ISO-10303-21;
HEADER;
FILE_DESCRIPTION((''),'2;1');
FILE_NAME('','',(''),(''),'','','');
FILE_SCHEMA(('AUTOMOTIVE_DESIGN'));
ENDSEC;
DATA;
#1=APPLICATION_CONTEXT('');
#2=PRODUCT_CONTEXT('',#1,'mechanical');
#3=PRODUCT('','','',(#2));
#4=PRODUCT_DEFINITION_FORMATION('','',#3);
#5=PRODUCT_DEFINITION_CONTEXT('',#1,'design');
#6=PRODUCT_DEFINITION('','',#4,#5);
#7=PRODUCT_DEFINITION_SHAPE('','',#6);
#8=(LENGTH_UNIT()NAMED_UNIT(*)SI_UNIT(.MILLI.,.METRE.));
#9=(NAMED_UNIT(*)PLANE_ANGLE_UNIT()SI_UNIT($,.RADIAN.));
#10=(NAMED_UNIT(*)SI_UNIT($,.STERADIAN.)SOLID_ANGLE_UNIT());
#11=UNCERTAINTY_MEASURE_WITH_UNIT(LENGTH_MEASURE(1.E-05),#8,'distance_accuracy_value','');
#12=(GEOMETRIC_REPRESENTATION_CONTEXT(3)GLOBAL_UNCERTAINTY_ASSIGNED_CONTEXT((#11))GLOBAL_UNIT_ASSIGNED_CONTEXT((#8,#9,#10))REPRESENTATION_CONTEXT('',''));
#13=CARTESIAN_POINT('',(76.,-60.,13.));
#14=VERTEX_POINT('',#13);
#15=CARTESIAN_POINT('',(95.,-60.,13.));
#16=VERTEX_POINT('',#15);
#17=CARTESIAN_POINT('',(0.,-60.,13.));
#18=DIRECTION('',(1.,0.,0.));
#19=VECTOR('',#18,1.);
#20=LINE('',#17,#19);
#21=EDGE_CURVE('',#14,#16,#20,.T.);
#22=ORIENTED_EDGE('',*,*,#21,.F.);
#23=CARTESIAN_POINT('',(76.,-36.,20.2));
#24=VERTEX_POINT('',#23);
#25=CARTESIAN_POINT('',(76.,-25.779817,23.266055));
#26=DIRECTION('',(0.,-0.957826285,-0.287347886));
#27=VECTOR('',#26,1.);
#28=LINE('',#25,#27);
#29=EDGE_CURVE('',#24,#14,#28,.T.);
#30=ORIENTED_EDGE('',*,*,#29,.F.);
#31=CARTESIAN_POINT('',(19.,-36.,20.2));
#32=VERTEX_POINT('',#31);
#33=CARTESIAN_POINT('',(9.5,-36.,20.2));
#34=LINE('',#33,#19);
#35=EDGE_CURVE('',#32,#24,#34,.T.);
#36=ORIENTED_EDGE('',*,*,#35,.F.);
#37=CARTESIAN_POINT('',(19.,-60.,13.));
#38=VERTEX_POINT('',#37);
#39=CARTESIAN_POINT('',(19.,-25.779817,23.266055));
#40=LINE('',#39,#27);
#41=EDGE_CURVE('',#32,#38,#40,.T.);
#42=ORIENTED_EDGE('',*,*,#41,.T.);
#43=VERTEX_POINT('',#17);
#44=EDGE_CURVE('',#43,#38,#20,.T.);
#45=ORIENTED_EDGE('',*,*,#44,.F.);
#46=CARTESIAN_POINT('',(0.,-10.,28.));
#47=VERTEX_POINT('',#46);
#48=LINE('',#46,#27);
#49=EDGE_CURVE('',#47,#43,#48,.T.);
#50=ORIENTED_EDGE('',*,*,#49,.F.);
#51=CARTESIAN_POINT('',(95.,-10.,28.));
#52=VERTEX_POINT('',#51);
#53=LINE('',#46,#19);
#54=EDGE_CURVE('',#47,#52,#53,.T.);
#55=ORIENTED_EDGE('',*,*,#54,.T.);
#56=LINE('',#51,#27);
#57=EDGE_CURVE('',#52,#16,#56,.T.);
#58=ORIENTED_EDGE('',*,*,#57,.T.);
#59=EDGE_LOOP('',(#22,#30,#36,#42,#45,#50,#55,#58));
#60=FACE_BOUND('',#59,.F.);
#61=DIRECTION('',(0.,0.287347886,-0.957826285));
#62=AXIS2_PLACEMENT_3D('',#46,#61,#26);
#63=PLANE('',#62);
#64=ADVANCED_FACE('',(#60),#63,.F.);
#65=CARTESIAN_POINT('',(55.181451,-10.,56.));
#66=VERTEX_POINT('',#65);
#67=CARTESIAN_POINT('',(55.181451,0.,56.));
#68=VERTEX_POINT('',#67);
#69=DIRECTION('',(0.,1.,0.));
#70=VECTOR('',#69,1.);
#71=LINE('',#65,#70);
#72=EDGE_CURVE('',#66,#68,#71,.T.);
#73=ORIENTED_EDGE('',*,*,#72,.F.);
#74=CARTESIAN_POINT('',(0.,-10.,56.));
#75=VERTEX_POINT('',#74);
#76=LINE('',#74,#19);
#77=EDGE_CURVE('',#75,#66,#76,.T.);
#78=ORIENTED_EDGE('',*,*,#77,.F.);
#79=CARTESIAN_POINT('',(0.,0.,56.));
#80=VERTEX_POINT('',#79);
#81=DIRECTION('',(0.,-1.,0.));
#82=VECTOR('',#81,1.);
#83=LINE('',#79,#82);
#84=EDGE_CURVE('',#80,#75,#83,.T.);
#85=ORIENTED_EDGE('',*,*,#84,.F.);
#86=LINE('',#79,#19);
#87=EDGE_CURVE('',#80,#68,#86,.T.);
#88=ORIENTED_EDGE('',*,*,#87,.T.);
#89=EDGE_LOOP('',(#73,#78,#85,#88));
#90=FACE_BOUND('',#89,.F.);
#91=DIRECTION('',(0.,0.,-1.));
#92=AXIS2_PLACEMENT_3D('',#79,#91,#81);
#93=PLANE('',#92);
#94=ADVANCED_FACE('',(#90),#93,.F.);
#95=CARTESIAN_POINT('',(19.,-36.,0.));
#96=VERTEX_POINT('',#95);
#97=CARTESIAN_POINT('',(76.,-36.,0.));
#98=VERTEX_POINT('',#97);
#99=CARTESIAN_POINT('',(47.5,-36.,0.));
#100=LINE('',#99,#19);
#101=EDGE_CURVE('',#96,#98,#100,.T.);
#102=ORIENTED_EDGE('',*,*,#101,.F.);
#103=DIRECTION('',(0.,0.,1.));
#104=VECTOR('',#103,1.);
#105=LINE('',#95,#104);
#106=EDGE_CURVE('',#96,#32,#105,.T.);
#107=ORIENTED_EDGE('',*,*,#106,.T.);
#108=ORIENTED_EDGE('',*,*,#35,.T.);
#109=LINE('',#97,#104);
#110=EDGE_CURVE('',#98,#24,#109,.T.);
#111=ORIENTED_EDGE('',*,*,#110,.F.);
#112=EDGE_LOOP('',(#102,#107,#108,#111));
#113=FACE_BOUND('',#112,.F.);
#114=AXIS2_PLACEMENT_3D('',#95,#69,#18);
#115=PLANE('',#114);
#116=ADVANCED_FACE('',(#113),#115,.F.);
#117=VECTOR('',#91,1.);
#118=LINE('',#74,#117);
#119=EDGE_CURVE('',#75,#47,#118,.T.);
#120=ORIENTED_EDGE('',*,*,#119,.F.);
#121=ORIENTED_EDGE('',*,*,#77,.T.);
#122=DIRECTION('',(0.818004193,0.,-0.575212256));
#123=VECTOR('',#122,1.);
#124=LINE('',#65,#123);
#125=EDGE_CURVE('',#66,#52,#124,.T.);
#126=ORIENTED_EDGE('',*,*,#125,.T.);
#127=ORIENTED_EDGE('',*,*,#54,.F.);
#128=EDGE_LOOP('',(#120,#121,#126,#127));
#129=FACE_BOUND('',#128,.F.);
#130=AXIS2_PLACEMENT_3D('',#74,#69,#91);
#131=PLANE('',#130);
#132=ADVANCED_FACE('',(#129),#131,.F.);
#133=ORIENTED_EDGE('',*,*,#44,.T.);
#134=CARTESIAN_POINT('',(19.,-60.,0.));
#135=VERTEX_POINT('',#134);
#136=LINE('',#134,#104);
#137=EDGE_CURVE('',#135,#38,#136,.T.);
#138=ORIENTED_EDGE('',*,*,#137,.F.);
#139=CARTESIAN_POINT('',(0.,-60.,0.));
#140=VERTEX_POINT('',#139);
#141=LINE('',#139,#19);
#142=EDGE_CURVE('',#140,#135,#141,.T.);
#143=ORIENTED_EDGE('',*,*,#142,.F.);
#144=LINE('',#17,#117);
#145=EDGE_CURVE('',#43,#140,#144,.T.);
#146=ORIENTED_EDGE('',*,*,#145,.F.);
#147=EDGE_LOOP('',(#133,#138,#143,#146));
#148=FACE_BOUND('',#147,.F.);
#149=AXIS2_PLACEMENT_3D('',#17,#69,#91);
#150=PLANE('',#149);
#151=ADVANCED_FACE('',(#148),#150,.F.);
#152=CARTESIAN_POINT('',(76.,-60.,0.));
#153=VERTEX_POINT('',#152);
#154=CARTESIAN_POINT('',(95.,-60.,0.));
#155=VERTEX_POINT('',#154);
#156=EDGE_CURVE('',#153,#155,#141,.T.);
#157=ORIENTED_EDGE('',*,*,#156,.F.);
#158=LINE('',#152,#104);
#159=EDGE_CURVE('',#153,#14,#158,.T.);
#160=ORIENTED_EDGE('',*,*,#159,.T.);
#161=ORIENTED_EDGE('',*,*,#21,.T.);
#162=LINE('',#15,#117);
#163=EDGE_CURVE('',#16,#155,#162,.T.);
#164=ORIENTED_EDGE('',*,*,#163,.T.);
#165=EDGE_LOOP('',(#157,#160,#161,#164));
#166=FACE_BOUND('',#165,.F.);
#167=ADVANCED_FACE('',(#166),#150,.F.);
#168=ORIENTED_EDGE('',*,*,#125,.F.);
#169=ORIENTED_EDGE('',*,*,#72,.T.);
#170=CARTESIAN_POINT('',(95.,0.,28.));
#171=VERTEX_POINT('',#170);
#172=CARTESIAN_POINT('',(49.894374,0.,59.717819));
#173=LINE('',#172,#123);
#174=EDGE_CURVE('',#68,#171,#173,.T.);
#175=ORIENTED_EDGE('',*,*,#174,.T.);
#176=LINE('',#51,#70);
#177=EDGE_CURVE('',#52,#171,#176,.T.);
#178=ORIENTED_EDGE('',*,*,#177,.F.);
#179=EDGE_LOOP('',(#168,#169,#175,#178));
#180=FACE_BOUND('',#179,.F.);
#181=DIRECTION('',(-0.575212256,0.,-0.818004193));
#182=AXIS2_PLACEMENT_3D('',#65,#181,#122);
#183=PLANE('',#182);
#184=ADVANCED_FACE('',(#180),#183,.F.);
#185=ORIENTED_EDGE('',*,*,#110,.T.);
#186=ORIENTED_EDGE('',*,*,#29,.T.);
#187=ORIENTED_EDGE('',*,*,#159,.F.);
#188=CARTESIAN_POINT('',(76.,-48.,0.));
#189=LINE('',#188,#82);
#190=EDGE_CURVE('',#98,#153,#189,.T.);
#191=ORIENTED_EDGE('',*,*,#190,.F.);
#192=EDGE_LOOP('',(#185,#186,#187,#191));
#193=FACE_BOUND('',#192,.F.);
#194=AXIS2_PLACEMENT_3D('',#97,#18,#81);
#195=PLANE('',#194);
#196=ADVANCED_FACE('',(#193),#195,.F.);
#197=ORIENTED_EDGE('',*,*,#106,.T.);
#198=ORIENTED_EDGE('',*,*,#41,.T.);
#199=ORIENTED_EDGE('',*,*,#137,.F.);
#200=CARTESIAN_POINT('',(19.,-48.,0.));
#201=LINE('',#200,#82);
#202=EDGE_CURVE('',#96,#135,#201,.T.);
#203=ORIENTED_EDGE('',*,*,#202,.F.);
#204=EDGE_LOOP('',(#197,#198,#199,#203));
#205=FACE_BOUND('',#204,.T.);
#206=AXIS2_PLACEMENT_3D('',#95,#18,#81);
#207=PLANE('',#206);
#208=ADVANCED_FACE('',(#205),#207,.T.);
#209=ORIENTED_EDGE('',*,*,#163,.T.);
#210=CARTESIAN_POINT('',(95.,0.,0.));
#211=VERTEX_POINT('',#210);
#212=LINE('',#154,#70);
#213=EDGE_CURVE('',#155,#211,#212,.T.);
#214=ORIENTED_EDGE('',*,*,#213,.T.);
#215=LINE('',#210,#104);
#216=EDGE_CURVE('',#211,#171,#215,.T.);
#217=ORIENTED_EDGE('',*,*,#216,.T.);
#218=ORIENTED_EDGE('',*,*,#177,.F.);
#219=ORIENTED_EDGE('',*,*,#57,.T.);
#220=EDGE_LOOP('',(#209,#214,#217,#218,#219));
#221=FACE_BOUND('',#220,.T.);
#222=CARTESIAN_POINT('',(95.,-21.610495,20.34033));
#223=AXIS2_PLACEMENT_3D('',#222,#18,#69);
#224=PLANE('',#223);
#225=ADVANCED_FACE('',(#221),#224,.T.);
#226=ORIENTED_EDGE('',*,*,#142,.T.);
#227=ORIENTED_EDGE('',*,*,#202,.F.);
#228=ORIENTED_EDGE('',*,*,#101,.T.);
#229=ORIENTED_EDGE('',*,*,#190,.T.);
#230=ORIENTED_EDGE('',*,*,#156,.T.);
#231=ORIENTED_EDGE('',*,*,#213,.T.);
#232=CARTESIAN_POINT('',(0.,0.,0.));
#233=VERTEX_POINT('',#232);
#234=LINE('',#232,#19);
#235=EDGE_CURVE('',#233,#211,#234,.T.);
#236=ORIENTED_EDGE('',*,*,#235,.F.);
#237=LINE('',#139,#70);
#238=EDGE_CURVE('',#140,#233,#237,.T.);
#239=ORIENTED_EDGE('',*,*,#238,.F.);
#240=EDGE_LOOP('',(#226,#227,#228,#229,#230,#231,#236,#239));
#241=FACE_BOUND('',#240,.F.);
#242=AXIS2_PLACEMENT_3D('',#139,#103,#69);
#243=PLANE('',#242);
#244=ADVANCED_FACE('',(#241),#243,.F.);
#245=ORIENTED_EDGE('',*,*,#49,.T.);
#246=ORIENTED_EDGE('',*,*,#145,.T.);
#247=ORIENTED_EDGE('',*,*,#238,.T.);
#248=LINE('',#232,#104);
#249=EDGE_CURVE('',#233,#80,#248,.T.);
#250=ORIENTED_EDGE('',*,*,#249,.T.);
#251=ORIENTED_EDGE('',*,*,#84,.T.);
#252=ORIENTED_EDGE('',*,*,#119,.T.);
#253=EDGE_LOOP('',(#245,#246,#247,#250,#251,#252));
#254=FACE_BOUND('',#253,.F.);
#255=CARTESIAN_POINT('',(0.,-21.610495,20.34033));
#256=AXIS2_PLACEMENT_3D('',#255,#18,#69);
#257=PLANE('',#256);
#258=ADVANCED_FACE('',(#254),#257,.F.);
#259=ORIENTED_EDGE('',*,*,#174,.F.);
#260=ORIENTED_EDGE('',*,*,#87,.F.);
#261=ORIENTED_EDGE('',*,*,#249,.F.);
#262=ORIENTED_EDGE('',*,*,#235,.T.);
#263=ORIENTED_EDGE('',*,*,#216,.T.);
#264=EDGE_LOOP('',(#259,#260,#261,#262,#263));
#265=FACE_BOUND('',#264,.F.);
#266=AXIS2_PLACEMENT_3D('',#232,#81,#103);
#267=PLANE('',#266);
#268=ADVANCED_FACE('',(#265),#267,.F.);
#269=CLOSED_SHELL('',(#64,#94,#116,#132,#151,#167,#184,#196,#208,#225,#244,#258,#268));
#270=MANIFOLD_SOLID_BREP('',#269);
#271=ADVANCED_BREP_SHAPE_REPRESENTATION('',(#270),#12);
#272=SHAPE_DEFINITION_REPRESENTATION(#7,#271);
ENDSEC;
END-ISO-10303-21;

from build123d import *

# Parameters (mm, degrees)
F1_DEPTH = 95
F3_DEPTH = 10.001
F4_W     = 57
F4_H     = 24
F5_DEPTH = 25


with BuildPart() as f1:
    # F0 (on Right) → F1 (new body)
    with BuildSketch(Plane.YZ):
        Polygon((-60, 0), (0, 0), (0, 56), (-10, 56), (-10, 28), (-60, 13), align=None)
    extrude(amount=F1_DEPTH)

    # F2 (on face) → F3 (cut, through all)
    with BuildSketch(Plane.XZ.offset(10)):
        Polygon((55.181451, 56), (95, 28), (95, 56), align=None)
    extrude(amount=-F3_DEPTH, mode=Mode.SUBTRACT)

    # F4 (on face) → F5 (cut)
    with BuildSketch(Plane(origin=(0, 0, 0), x_dir=(1, 0, 0), z_dir=(0, 0, -1))):
        with Locations((47.5, 48)):
            Rectangle(F4_W, F4_H)
    extrude(amount=-F5_DEPTH, mode=Mode.SUBTRACT)


solid = f1.part
